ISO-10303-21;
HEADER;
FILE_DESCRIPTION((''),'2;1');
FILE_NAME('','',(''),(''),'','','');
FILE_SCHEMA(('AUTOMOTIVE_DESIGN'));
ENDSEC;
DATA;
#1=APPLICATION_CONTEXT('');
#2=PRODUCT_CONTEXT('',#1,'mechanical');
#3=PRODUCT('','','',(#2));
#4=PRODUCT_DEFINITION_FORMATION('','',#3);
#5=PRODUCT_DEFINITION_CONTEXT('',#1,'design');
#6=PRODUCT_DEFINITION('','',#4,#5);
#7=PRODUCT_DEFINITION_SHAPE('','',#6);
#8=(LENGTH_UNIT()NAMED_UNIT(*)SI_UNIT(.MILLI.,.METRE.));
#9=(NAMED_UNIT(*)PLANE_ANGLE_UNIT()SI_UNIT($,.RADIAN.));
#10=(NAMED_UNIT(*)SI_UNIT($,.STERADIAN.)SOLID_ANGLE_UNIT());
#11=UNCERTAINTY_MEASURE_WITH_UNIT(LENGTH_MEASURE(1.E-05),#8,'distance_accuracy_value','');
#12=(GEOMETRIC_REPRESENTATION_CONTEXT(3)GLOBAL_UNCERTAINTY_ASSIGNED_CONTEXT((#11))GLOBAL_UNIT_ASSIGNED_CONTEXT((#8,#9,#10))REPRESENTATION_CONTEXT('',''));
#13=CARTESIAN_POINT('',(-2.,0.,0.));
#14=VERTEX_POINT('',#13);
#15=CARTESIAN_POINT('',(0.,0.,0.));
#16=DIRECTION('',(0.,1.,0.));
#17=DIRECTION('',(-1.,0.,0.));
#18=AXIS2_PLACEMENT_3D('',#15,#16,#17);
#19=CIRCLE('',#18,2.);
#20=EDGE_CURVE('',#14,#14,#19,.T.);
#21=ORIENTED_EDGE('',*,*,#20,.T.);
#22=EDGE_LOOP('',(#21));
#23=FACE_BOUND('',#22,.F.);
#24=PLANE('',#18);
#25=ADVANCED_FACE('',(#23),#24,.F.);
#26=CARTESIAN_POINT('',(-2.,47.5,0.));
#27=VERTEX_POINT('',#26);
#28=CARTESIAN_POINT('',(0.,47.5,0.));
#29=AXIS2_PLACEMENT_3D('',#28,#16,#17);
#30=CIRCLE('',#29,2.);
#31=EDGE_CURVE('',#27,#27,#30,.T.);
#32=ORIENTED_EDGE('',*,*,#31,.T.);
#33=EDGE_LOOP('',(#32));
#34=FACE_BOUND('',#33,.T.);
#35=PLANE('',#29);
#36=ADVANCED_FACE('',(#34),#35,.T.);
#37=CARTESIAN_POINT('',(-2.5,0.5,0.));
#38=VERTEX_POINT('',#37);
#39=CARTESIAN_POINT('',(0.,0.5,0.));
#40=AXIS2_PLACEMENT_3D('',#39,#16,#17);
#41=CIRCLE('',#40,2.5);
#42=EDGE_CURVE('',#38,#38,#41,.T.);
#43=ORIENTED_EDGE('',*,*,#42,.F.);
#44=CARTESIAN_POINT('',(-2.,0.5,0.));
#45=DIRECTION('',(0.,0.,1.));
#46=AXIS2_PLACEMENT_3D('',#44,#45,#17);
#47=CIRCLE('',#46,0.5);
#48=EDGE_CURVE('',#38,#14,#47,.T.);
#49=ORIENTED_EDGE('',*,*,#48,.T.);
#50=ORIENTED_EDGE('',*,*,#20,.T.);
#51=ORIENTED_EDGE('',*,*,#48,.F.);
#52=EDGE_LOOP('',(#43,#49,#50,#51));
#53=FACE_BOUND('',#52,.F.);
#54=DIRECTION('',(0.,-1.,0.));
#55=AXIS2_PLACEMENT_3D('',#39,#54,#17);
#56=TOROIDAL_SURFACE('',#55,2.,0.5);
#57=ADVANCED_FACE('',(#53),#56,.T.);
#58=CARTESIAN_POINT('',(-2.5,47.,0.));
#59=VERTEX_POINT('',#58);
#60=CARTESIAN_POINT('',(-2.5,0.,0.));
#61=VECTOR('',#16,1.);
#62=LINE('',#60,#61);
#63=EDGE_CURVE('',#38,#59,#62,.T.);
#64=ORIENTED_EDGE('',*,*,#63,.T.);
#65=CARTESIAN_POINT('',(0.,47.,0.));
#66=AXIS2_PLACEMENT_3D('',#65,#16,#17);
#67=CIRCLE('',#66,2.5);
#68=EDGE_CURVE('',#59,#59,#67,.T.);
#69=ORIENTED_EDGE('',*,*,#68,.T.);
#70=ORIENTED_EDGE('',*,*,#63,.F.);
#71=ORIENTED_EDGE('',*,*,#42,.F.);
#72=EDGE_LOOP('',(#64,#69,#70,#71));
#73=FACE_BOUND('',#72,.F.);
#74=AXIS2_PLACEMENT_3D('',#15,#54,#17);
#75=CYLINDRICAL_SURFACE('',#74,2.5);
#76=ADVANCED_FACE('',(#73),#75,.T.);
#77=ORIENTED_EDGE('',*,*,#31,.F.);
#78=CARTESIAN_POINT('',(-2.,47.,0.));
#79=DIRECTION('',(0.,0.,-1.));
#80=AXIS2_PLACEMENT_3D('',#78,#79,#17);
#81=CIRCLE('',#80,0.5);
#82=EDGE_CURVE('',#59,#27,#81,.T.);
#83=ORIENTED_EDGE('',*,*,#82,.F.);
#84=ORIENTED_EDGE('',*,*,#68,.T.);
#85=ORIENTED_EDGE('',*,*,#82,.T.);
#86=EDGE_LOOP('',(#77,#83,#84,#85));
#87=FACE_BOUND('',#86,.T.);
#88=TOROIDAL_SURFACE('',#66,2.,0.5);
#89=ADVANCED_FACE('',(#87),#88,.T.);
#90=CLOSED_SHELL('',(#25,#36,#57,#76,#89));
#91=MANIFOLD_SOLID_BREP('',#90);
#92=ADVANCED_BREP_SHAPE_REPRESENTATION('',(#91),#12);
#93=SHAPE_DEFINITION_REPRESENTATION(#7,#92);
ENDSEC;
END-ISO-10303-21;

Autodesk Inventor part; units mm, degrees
ref_plane "YZ Plane" through (0, 0, 0) normal (1, 0, 0) x (0, 1, 0)
ref_plane "XZ Plane" through (0, 0, 0) normal (0, 1, 0) x (-1, 0, 0)
ref_plane "XY Plane" through (0, 0, 0) normal (0, 0, 1) x (1, 0, 0)
sketch "Sketch1" plane through (0, 0, 0) normal (0, 1, 0) x (-1, 0, 0)
  circle A0 centre (0, 0) radius 2.5
  dimension "d0" = 5
extrude "Extrusion1" add sketch "Sketch1" along normal blind 47.5
fillet "Fillet1" radius 0.5 2 edges at (2.5, 0, 0) (2.5, 47.5, 0)
properties part number "Shaft"
